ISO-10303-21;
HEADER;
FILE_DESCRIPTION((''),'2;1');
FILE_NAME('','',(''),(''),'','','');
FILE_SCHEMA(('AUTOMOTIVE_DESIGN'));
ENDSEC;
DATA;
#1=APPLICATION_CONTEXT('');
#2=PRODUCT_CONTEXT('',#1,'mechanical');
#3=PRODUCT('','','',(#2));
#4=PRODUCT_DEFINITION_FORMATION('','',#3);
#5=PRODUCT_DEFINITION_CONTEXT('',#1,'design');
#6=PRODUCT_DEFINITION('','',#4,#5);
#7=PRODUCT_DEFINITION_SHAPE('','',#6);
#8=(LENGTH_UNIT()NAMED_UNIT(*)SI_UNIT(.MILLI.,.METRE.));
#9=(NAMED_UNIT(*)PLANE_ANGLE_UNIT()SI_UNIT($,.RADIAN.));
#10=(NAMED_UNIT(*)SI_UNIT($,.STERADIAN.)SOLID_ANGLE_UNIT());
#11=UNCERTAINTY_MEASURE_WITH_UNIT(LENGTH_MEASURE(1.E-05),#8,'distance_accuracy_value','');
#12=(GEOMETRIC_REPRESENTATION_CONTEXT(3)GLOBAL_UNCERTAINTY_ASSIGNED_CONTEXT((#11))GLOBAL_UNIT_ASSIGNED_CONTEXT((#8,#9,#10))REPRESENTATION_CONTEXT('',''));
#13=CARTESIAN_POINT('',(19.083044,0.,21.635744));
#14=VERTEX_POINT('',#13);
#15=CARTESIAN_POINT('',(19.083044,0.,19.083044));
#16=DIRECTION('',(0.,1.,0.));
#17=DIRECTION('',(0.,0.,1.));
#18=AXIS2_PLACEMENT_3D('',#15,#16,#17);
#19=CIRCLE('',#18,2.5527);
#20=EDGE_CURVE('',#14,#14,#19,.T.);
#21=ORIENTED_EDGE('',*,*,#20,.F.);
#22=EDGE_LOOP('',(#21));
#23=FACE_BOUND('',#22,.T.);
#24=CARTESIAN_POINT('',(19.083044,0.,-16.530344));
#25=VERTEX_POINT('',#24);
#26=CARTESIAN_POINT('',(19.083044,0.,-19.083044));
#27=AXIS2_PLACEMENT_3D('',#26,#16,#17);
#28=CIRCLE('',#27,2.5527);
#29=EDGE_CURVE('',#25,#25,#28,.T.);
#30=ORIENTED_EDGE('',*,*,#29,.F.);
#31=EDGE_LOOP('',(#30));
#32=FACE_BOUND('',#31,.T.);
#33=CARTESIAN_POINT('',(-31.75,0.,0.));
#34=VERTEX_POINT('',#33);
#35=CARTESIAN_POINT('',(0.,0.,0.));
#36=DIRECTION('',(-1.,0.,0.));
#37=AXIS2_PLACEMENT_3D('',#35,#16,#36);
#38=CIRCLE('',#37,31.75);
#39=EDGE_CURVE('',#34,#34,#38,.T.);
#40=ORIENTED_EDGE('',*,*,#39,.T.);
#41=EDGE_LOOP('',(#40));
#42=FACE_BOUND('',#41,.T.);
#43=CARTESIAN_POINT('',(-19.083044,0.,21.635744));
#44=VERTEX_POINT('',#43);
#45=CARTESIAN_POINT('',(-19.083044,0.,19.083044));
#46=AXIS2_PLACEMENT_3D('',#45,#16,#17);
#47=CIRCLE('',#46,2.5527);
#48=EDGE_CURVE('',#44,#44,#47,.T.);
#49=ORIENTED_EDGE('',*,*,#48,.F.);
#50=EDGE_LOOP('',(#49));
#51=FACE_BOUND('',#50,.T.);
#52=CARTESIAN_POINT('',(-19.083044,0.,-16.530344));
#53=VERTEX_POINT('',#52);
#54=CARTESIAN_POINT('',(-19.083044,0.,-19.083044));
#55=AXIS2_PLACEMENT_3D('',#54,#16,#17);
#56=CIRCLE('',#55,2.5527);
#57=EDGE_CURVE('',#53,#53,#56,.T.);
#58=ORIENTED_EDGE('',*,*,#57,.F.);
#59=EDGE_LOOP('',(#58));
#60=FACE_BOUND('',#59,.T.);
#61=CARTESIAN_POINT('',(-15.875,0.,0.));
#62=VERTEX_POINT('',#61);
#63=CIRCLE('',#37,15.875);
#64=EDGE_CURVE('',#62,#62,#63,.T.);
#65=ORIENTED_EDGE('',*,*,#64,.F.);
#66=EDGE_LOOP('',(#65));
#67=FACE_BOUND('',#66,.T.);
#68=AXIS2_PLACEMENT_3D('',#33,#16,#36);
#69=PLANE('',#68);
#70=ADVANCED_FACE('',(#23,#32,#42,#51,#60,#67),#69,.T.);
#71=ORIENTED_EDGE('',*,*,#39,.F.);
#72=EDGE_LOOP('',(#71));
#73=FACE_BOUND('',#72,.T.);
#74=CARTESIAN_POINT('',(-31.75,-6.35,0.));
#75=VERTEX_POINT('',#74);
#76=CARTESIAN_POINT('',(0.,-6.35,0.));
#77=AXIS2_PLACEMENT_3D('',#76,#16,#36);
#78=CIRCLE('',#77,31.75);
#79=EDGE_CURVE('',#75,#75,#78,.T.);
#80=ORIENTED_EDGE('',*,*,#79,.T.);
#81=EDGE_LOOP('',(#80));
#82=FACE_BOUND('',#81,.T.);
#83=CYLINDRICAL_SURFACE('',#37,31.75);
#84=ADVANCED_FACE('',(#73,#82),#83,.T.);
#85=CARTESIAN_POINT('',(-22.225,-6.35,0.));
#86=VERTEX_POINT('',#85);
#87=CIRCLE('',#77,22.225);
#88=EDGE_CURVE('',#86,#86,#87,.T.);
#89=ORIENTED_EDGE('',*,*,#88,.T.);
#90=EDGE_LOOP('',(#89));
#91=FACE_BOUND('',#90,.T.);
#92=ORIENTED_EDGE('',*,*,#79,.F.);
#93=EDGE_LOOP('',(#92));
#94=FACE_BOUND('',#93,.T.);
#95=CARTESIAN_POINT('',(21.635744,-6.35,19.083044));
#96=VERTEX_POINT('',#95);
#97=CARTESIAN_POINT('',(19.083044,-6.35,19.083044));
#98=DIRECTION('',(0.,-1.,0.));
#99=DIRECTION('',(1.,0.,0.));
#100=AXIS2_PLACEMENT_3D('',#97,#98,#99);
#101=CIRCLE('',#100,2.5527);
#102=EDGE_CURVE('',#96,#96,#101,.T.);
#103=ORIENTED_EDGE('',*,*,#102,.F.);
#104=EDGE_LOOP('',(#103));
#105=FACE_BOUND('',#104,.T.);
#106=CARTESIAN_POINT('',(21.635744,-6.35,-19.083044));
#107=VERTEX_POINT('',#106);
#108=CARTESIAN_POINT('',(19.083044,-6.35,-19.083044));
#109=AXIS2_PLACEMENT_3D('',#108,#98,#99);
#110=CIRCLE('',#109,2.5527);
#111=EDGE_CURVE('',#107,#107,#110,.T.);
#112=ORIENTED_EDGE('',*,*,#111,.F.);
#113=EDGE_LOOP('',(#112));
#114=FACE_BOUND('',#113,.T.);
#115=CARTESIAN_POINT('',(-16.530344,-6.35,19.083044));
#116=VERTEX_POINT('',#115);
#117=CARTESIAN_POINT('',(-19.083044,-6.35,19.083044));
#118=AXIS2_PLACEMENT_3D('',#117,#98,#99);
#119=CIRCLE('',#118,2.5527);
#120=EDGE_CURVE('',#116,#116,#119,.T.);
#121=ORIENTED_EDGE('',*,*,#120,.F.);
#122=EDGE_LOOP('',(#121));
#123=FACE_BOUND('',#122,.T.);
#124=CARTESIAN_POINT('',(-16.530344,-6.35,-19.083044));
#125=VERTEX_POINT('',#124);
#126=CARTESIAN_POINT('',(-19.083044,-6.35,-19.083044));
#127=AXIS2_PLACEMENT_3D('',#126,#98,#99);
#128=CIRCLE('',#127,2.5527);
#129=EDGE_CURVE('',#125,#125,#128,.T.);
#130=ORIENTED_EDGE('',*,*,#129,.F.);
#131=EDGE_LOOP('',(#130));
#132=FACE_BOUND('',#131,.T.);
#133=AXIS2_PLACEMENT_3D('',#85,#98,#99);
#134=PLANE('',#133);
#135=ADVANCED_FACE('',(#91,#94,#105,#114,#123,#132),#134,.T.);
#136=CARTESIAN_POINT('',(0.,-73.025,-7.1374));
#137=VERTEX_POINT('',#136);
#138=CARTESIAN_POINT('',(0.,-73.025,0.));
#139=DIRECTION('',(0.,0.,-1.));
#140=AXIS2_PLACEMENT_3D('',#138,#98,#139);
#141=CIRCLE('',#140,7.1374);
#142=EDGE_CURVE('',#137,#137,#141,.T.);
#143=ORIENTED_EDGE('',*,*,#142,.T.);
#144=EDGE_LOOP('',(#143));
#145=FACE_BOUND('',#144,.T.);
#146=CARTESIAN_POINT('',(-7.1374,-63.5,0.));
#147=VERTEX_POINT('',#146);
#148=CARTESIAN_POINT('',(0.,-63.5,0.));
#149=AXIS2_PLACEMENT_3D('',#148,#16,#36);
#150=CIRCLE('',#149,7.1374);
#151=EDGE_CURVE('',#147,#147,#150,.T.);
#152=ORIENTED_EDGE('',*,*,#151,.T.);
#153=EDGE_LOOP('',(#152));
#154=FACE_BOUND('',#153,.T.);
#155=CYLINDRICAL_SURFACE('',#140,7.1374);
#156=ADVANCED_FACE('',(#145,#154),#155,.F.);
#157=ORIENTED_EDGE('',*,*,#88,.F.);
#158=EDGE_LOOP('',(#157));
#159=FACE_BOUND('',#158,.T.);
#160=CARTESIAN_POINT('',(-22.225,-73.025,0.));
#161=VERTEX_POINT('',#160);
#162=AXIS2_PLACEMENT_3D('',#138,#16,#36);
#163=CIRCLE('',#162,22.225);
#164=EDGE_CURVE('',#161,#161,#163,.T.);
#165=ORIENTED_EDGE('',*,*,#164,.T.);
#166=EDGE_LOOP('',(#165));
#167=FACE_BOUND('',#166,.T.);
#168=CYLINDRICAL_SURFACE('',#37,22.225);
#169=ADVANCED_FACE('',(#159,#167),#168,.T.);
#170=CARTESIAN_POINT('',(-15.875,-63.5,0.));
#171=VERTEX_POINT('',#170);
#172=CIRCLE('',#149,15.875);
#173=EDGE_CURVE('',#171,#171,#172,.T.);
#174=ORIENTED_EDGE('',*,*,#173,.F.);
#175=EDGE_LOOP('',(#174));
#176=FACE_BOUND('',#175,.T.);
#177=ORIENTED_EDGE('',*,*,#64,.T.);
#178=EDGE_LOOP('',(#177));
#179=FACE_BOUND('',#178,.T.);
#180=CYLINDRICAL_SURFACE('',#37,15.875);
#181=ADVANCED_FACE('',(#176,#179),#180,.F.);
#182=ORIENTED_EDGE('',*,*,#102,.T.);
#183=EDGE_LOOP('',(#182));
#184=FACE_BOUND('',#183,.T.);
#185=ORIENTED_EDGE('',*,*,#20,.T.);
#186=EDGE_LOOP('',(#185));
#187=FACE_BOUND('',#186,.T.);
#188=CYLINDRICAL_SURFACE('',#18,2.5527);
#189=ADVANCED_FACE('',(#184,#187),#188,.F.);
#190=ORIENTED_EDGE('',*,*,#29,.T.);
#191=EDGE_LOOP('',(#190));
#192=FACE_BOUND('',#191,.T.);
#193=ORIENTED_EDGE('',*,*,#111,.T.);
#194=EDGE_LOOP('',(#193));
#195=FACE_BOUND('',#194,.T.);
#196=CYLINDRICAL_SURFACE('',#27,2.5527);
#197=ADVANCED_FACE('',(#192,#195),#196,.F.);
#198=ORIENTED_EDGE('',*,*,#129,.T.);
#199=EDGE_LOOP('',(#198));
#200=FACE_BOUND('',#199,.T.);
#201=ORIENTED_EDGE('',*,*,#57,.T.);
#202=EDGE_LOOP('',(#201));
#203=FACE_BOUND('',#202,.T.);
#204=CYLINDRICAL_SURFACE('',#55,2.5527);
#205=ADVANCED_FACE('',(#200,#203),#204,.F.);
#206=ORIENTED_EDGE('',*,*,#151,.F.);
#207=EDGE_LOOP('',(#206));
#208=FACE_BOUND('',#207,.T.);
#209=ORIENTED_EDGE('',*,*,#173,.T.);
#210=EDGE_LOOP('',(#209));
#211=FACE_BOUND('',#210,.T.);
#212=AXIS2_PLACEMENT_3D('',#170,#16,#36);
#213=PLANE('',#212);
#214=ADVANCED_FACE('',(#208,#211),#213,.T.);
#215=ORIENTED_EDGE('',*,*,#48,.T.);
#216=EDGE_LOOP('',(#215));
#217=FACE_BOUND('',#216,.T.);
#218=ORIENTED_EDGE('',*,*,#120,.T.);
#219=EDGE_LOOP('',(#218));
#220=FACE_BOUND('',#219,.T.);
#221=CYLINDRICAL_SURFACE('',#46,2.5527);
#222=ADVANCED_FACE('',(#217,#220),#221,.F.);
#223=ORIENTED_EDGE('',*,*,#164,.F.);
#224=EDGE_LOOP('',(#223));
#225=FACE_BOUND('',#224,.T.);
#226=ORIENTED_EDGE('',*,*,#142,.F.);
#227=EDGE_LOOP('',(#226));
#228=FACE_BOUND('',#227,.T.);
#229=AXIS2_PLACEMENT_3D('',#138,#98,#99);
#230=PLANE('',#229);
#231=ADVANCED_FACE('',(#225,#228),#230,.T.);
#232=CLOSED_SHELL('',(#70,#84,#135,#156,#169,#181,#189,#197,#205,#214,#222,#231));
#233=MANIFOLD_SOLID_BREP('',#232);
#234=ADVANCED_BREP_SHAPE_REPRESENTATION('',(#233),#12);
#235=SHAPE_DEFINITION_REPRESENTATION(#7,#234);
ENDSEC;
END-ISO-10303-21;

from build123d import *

# Parameters (mm, degrees)
PIPE_TAP_DRILL_FOR_3_8_TAP1_D     = 14.2748
PIPE_TAP_DRILL_FOR_3_8_TAP1_DEPTH = 25.4
PIPE_TAP_DRILL_FOR_3_8_TAP1_TIP   = 4.288582582
CIRPATTERN1_COUNT                 = 4


with BuildPart() as part:
    # Sketch1 → Revolve1 (revolve)
    with BuildSketch(Plane.XY):
        Polygon((-31.75, 0), (-15.875, 0), (-15.875, -63.5), (0, -63.5), (0, -73.025), (-22.225, -73.025), (-22.225, -6.35), (-31.75, -6.35), align=None)
    revolve(axis=Axis((0, 0, 0), (0, -1, 0)))

    # Pipe Tap Drill for 3/8 Tap1
    with Locations(Plane(origin=(0, -73.025, 0), x_dir=(-1, 0, 0), z_dir=(0, -1, 0))):
        with Locations((0, 0)):
            Hole(PIPE_TAP_DRILL_FOR_3_8_TAP1_D / 2, depth=PIPE_TAP_DRILL_FOR_3_8_TAP1_DEPTH)
            with Locations((0, 0, -(PIPE_TAP_DRILL_FOR_3_8_TAP1_DEPTH + PIPE_TAP_DRILL_FOR_3_8_TAP1_TIP / 2))):  # 118° drill point
                Cone(0, PIPE_TAP_DRILL_FOR_3_8_TAP1_D / 2, PIPE_TAP_DRILL_FOR_3_8_TAP1_TIP, mode=Mode.SUBTRACT)

    # Sketch3 → #10 Clearance Hole1 (revolve, cut)
    with BuildSketch(Plane(origin=(19.083044257, 0, -19.083044257), x_dir=(0, 0, 1), z_dir=(1, 0, 0))):
        Polygon((0, 0), (0, 26.933816902), (2.5527, 25.4), (2.5527, 0), align=None)
    f_10_clearance_hole1 = revolve(axis=Axis((19.083044257, 6.35, -19.083044257), (0, -1, 0)), mode=Mode.SUBTRACT)

    # CirPattern1: #10 Clearance Hole1 ×4 about axis
    cirpattern1_axis = Axis((0, 0, 0), (0, 1, 0))
    for i in range(1, CIRPATTERN1_COUNT):
        add(f_10_clearance_hole1.rotate(cirpattern1_axis, i * 360 / CIRPATTERN1_COUNT), mode=Mode.SUBTRACT)


solid = part.part
